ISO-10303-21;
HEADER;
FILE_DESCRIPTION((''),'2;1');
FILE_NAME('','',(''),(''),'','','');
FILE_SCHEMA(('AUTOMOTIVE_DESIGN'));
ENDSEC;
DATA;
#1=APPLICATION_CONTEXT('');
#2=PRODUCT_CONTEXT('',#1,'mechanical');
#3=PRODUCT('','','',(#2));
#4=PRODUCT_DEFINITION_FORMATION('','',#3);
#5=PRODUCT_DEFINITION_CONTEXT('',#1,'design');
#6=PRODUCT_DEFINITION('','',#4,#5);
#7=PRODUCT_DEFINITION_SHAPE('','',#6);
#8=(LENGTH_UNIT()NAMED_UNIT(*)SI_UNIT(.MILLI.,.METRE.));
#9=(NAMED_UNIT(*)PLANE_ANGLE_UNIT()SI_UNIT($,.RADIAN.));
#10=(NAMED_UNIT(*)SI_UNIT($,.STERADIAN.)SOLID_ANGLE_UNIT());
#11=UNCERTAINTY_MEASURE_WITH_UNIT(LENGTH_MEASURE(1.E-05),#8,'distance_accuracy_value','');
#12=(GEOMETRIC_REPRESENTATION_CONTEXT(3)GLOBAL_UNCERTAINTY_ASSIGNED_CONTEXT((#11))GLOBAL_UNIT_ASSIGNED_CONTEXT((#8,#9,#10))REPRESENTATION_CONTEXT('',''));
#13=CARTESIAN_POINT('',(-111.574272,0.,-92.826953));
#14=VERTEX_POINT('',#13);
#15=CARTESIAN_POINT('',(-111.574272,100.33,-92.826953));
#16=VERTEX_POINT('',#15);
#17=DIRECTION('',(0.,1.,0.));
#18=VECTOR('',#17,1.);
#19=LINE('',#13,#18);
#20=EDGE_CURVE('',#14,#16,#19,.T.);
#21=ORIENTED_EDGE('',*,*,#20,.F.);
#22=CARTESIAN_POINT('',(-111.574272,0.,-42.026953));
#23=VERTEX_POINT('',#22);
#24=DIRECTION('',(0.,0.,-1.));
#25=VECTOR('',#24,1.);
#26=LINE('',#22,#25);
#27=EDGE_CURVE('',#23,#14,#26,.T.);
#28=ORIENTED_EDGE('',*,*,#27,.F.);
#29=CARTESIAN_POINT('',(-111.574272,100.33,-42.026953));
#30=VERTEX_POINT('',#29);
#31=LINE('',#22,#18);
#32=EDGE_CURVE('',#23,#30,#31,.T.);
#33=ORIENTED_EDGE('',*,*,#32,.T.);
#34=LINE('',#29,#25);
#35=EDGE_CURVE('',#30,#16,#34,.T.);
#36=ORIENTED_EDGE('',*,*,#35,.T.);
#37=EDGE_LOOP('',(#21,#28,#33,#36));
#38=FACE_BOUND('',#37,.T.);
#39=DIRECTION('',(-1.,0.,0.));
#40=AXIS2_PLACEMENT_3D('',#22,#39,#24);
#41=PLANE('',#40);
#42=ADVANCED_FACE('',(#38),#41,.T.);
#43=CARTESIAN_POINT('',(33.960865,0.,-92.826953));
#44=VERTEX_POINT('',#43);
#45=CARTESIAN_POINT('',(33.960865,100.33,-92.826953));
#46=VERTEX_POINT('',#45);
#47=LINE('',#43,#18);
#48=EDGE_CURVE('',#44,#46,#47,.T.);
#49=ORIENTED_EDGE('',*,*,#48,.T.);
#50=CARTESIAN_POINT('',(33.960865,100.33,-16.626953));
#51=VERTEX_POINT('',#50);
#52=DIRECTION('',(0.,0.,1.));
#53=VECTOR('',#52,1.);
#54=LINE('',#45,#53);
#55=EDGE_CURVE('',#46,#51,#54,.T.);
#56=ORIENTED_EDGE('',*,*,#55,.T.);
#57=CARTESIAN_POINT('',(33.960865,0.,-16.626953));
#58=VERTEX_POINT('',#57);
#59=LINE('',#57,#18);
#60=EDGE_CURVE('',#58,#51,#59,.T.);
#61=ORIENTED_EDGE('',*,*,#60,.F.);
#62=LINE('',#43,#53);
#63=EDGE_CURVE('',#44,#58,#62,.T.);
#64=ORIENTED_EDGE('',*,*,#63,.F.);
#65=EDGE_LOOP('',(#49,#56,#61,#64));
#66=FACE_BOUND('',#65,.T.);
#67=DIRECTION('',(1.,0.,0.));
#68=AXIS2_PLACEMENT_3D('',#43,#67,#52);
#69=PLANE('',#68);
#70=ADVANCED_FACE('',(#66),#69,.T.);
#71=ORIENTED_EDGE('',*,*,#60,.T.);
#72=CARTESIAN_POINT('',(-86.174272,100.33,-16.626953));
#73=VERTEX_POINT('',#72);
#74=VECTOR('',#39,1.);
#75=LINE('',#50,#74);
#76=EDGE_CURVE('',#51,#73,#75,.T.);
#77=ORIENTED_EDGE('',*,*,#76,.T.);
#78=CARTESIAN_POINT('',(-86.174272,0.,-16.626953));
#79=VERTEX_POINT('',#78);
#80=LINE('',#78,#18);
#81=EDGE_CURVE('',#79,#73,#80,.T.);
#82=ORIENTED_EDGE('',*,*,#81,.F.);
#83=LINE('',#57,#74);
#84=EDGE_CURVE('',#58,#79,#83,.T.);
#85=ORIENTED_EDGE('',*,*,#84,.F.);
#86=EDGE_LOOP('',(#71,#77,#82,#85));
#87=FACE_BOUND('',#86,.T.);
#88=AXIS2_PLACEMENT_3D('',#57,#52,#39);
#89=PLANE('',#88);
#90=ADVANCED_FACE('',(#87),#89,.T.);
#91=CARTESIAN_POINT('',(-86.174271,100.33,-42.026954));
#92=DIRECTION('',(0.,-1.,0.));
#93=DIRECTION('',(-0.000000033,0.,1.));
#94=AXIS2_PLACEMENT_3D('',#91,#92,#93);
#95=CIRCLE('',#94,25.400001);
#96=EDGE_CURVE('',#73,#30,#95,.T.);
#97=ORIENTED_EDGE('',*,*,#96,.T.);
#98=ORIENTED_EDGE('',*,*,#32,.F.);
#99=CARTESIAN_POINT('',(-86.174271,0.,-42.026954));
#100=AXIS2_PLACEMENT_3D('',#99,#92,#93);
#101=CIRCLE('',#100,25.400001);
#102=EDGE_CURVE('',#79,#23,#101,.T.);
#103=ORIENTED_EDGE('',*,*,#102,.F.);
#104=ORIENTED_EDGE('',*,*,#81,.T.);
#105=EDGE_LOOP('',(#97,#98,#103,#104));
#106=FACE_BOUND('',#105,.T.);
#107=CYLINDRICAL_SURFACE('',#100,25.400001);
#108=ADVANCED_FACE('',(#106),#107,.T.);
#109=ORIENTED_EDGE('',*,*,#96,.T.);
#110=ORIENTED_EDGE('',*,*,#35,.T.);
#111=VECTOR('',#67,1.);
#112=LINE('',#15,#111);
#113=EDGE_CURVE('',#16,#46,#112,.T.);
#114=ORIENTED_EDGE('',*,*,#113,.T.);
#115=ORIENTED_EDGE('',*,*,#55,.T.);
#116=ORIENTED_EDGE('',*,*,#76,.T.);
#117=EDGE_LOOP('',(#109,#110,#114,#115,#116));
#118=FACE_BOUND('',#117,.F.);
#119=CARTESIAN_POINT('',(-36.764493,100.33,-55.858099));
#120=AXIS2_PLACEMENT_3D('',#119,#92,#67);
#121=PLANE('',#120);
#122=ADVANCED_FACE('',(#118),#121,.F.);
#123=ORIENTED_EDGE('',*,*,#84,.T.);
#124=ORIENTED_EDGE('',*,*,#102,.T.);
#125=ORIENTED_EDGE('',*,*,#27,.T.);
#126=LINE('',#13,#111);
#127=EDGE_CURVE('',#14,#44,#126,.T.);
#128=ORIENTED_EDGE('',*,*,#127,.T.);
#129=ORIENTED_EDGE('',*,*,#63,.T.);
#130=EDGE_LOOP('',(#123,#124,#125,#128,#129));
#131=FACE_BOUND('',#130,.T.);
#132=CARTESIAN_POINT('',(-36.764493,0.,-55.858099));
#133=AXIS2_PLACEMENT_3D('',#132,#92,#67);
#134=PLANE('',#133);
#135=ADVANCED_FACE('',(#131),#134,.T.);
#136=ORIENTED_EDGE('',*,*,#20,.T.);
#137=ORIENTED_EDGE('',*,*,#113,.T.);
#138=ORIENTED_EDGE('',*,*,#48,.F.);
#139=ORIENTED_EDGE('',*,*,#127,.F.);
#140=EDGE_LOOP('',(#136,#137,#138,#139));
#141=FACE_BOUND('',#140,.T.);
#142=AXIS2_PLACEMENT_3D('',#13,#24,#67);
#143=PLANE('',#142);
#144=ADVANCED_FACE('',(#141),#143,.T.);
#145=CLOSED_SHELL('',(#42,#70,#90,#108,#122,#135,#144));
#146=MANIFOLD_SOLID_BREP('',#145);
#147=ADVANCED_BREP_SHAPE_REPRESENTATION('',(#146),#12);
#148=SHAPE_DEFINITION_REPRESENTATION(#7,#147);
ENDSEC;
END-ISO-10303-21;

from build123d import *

# Parameters (mm, degrees)
F1_DEPTH = 100.33


with BuildPart() as f1:
    # F0 (on Front) → F1 (new body)
    with BuildSketch(Plane.XZ):
        with BuildLine():
            Line((33.960865, -16.626953), (-86.174272, -16.626953))
            ThreePointArc((-86.174272, -16.626953), (-104.134784, -24.066441), (-111.574272, -42.026953))
            Line((-111.574272, -42.026953), (-111.574272, -92.826953))
            Line((-111.574272, -92.826953), (33.960865, -92.826953))
            Line((33.960865, -92.826953), (33.960865, -16.626953))
        make_face()
    extrude(amount=-F1_DEPTH)


solid = f1.part
